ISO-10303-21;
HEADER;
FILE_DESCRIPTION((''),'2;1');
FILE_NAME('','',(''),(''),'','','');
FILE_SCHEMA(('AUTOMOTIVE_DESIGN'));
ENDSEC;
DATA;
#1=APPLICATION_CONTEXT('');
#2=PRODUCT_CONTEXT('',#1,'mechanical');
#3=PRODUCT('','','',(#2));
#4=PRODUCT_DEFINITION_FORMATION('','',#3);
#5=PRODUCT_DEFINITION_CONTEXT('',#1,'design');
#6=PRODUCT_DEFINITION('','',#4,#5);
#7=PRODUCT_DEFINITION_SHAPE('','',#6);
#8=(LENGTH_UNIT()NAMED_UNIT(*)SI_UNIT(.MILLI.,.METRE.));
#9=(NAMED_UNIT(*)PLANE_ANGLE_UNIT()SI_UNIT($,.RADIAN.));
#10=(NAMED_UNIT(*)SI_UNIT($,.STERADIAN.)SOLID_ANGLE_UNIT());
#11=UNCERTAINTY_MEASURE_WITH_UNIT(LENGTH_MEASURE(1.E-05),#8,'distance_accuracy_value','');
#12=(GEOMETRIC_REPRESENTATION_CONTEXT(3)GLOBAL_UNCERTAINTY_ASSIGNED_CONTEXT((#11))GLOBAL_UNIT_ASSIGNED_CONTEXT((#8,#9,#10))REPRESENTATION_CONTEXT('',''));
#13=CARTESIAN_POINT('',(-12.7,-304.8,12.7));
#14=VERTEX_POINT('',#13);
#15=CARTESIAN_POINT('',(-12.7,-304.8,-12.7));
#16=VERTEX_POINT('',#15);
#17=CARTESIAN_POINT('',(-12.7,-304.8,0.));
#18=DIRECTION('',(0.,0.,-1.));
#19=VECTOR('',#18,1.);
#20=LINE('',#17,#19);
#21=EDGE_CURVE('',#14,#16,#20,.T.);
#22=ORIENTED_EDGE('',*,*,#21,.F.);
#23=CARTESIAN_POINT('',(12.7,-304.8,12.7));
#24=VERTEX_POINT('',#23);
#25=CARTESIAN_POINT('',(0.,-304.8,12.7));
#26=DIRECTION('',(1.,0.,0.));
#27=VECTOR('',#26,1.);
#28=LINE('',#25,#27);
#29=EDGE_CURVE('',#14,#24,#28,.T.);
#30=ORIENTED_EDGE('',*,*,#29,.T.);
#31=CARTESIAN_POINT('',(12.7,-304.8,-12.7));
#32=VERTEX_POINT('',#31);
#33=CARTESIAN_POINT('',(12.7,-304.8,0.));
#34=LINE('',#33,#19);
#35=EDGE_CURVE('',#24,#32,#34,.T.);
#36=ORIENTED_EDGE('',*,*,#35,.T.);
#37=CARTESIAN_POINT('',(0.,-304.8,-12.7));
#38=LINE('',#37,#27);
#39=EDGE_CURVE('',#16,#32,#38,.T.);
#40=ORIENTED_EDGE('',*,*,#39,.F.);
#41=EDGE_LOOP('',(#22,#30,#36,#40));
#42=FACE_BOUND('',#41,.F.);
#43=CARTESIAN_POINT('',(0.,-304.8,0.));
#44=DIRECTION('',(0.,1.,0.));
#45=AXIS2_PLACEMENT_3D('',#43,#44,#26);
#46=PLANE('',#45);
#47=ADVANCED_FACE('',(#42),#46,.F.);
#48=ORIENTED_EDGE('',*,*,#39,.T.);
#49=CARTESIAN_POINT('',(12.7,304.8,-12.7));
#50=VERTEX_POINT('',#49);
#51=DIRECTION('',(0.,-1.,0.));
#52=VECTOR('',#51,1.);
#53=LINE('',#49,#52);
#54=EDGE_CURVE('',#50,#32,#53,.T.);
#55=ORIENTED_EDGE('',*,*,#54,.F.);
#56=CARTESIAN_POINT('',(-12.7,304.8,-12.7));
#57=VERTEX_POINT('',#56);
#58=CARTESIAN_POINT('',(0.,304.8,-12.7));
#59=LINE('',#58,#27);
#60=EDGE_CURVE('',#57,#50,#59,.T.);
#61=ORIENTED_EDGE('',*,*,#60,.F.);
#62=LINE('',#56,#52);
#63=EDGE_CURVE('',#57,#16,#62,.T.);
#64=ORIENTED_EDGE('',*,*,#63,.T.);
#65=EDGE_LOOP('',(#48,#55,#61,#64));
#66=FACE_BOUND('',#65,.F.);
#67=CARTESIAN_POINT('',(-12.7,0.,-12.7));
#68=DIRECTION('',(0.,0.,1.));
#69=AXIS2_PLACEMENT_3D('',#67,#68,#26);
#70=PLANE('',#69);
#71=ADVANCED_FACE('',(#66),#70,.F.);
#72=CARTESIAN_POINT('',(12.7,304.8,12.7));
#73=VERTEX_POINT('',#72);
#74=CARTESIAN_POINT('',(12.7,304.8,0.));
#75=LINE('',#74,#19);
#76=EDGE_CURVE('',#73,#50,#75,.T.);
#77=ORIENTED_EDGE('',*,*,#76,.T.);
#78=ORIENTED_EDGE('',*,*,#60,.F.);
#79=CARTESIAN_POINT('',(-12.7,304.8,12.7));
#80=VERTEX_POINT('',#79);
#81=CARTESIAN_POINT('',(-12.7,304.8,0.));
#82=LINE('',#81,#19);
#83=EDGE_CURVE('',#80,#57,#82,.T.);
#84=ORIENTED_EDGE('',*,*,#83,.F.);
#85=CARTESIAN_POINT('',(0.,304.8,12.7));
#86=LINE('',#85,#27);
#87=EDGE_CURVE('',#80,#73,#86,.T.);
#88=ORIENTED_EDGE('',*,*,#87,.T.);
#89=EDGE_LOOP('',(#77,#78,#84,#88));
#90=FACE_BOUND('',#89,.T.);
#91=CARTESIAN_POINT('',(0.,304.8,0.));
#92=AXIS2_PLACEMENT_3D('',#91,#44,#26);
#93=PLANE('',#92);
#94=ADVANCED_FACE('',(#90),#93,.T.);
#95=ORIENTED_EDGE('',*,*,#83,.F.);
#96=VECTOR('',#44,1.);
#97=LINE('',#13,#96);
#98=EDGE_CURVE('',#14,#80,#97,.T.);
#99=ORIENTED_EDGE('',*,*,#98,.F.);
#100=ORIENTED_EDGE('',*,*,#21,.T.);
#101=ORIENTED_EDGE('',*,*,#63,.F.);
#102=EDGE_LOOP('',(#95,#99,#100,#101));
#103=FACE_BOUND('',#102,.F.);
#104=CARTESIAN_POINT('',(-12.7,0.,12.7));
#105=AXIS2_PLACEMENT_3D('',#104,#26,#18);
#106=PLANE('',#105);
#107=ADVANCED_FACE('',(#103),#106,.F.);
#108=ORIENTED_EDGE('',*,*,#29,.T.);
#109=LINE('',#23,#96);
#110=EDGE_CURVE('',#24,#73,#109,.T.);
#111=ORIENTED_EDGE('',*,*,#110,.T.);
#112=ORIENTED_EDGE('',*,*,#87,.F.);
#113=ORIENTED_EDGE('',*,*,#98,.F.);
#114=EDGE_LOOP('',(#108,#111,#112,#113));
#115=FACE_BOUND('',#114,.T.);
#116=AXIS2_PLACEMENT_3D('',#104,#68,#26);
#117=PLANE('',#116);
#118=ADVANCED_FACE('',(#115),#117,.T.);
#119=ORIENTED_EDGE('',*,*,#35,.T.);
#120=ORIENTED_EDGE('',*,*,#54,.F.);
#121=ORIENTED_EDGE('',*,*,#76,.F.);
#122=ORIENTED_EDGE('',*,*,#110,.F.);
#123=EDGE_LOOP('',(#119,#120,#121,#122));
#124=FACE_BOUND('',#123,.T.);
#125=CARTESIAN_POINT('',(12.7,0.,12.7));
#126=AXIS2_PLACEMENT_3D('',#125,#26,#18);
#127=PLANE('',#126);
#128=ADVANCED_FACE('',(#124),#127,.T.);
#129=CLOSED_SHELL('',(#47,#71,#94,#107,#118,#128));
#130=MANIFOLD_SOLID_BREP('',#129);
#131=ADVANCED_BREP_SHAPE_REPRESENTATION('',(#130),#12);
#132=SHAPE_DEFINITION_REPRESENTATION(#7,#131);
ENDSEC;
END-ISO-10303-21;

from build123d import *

# Parameters (mm, degrees)
SKETCH1_W           = 25.4
SKETCH1_H           = 25.4
BOSS_EXTRUDE1_DEPTH = 304.8


with BuildPart() as part:
    # Sketch1 → Boss-Extrude1 (new body, symmetric)
    with BuildSketch(Plane(origin=(0, 0, 0), x_dir=(1, 0, 0), z_dir=(0, 1, 0))):
        Rectangle(SKETCH1_W, SKETCH1_H)
    extrude(amount=BOSS_EXTRUDE1_DEPTH, both=True)


solid = part.part
